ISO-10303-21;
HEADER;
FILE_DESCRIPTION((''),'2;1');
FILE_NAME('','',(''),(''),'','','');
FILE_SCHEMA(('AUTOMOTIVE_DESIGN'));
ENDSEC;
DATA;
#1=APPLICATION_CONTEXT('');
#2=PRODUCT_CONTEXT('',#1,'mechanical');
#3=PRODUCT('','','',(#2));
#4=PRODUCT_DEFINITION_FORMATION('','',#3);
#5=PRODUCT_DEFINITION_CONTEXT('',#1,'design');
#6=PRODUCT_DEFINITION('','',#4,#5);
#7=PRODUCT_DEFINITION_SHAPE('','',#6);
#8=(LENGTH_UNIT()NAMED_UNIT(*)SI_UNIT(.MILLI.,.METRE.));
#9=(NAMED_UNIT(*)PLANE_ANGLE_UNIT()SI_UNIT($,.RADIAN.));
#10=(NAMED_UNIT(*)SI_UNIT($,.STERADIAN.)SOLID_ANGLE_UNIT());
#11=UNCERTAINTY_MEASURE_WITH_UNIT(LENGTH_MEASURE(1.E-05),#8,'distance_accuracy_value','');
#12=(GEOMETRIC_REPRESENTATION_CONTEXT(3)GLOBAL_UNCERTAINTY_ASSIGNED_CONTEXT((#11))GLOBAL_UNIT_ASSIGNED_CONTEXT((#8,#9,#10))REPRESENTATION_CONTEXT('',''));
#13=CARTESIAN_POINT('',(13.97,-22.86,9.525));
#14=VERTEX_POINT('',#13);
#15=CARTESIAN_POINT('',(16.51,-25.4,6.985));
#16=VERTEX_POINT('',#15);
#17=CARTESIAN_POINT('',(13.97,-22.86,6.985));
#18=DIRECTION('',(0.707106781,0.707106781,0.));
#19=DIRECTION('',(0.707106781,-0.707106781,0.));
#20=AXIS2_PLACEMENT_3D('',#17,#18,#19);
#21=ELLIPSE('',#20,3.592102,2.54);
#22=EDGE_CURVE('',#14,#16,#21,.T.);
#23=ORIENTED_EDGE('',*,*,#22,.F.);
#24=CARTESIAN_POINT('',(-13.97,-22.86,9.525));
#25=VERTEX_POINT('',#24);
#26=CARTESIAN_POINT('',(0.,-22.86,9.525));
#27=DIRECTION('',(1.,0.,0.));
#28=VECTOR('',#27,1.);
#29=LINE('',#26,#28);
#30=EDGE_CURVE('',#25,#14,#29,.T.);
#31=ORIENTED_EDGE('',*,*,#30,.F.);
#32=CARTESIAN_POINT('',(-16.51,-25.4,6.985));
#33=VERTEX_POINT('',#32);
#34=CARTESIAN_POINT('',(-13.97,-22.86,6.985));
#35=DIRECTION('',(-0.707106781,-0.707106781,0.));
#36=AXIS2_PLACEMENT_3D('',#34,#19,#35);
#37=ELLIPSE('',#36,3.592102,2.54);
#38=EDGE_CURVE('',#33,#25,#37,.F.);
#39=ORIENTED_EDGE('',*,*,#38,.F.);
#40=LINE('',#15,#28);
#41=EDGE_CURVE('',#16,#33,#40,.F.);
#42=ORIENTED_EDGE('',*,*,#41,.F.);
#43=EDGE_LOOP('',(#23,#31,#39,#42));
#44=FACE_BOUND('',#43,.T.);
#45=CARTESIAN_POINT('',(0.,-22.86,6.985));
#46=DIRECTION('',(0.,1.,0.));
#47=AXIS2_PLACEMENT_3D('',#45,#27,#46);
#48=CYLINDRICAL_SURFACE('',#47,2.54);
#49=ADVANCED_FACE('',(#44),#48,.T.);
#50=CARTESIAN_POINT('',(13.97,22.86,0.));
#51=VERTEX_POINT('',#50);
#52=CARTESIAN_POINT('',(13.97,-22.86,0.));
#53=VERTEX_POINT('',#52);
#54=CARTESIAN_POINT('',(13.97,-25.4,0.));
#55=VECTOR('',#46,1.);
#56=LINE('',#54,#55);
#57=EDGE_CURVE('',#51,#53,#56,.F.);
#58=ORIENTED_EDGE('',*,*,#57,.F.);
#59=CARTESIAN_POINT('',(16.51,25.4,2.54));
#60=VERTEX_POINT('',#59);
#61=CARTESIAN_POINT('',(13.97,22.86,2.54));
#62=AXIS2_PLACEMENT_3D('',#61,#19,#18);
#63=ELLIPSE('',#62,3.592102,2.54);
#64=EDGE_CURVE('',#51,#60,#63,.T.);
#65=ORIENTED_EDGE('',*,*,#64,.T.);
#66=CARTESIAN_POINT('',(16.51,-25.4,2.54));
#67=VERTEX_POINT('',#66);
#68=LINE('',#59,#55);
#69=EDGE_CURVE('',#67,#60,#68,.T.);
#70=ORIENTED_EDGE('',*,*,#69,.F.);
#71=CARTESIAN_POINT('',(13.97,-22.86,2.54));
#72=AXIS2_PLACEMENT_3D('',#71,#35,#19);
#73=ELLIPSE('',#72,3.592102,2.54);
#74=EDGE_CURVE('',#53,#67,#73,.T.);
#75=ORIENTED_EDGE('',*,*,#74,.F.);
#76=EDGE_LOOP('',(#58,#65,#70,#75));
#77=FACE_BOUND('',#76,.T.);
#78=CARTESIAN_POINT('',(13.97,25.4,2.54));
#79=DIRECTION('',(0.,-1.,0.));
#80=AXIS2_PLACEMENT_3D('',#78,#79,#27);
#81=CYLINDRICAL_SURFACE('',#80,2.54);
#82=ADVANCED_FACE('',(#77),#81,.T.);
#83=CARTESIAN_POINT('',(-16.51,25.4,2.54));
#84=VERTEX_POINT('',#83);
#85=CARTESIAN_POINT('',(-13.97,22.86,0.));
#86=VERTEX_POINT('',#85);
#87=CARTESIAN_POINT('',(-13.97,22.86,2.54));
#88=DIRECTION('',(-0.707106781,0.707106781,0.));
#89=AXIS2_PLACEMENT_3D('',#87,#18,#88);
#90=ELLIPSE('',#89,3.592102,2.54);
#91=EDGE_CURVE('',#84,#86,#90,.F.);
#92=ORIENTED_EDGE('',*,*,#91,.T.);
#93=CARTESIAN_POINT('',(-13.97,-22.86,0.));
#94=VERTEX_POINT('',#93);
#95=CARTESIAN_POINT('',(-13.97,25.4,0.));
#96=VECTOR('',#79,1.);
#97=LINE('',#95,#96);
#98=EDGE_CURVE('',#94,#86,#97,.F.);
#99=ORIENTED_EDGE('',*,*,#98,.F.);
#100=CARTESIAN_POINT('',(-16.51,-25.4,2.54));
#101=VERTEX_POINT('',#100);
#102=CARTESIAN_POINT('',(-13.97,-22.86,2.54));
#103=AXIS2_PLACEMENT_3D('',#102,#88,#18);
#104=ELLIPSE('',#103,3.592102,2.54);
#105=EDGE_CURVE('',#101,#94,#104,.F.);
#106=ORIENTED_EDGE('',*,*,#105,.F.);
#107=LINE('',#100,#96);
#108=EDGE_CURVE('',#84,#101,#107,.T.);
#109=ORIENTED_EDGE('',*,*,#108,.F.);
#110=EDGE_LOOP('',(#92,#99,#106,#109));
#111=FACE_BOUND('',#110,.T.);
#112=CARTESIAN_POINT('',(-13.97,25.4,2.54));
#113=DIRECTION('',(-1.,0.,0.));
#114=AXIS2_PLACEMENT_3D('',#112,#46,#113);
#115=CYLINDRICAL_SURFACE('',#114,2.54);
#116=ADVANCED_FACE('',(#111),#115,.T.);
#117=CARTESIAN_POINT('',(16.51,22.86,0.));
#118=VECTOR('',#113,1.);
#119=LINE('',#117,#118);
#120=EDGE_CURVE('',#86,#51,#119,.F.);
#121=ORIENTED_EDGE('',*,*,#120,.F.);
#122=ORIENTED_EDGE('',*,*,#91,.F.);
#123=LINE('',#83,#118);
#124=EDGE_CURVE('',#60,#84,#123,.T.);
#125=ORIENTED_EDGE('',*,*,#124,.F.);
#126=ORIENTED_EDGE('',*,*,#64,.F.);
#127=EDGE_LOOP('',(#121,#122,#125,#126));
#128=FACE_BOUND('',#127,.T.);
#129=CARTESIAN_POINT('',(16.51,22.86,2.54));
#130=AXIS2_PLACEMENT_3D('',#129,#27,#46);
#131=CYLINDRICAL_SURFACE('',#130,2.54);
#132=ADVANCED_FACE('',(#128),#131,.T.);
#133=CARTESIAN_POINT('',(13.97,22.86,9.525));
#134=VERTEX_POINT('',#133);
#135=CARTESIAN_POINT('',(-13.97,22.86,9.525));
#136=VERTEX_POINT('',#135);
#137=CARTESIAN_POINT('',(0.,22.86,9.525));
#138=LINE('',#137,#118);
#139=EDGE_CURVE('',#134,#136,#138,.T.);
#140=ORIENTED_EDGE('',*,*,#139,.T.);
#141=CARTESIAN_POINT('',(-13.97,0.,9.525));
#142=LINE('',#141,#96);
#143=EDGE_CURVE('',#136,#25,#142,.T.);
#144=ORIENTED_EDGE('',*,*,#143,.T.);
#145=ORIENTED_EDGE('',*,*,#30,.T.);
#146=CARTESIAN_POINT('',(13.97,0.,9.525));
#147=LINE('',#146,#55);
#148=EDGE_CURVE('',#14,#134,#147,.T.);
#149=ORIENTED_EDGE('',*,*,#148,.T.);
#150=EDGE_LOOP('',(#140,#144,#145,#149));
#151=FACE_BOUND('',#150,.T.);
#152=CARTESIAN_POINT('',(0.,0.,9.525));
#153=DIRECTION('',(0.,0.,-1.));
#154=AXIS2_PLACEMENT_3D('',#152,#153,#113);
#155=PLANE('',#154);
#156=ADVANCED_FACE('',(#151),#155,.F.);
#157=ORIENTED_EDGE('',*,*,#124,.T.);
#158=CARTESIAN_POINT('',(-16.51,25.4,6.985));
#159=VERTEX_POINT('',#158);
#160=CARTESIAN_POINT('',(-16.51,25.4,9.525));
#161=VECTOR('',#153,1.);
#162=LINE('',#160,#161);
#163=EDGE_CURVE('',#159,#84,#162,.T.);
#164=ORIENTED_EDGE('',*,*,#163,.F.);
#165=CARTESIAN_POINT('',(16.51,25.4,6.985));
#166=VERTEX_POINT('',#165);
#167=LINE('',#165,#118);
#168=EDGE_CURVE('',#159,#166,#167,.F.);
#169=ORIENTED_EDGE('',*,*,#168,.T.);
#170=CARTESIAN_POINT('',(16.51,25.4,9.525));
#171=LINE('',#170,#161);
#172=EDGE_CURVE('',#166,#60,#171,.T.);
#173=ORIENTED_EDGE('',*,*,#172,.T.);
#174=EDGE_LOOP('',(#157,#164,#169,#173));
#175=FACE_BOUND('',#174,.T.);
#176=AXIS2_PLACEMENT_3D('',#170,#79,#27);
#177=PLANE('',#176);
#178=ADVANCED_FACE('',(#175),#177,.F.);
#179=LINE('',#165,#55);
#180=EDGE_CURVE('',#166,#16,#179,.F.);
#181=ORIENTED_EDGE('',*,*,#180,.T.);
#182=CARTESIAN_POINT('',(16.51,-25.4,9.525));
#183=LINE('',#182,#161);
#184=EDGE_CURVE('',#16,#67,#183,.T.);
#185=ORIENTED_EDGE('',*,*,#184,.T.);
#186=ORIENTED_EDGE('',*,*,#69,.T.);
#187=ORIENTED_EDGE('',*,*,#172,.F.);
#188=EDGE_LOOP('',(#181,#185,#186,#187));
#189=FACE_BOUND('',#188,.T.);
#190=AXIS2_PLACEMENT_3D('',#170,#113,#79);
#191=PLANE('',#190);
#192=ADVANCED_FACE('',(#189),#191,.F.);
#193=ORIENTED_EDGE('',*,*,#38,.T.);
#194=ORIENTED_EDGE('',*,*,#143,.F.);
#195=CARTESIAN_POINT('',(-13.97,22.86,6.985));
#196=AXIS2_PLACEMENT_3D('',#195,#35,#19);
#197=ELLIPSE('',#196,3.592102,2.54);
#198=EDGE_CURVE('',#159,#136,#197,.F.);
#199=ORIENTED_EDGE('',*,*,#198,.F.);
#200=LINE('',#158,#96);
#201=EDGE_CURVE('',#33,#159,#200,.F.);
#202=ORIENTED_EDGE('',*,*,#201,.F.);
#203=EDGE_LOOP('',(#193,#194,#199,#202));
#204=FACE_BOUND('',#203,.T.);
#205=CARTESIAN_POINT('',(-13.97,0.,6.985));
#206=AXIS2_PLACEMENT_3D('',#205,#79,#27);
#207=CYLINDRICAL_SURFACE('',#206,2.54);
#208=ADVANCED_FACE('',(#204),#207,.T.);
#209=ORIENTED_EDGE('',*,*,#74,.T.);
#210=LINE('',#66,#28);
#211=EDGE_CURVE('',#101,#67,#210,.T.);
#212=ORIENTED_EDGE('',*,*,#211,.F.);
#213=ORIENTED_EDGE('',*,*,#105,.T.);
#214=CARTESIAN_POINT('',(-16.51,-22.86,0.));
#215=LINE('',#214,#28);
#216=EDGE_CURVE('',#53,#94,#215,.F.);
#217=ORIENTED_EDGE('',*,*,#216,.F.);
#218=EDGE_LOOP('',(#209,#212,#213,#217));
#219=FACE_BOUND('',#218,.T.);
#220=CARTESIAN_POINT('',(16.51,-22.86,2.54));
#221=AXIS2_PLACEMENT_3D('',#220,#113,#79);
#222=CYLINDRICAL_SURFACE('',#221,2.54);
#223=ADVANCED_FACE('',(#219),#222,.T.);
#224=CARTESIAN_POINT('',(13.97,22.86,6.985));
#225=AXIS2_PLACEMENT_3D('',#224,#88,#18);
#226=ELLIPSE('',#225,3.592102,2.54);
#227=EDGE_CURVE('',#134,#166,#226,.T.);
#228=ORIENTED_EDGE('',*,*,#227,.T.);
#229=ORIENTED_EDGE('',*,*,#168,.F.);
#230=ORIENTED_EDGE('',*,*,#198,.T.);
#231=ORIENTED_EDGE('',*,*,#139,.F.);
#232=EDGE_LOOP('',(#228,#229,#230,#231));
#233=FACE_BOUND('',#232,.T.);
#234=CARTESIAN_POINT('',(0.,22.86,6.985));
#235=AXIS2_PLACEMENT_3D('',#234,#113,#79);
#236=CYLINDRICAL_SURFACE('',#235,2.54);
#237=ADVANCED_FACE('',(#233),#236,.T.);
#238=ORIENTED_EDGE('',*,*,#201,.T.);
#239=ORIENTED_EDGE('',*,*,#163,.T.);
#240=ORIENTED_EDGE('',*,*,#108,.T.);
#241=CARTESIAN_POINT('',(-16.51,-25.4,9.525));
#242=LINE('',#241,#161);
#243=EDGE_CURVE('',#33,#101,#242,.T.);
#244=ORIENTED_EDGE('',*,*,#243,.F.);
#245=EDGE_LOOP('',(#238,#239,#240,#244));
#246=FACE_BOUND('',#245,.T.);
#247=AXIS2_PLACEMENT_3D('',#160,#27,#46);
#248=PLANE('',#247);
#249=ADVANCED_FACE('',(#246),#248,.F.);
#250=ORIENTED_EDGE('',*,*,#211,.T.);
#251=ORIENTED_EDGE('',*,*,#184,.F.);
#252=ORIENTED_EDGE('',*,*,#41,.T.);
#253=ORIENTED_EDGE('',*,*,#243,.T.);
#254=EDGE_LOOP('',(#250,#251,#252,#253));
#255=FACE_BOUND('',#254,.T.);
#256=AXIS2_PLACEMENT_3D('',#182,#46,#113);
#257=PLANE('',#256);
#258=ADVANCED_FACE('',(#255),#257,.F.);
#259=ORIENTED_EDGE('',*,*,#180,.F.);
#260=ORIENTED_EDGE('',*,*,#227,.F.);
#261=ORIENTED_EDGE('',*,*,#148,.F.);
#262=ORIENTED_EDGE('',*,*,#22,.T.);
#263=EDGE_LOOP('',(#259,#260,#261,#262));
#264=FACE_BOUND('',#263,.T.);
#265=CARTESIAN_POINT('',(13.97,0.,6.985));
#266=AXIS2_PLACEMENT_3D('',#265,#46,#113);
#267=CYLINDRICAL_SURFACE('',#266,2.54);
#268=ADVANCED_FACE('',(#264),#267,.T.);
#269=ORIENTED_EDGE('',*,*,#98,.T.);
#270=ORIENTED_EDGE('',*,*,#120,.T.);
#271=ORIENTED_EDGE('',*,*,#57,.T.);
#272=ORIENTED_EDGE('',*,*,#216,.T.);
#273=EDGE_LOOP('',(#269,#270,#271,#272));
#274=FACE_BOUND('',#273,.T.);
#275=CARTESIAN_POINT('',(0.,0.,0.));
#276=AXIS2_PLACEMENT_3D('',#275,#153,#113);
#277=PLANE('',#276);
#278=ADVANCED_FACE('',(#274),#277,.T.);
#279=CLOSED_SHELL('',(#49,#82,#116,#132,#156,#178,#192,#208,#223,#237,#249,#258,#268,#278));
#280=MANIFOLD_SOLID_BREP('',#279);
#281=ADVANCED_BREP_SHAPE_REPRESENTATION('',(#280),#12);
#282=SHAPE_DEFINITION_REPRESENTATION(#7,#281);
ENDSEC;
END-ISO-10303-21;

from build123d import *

# Parameters (mm, degrees)
SKETCH1_W           = 33.02
SKETCH1_H           = 50.8
BOSS_EXTRUDE1_DEPTH = 9.525
FILLET1_R           = 2.54


with BuildPart() as part:
    # Sketch1 → Boss-Extrude1 (new body)
    with BuildSketch(Plane.XY):
        Rectangle(SKETCH1_W, SKETCH1_H)
    extrude(amount=BOSS_EXTRUDE1_DEPTH)

    # Fillet1
    fillet1_edges = [part.edges().sort_by_distance(p)[0] for p in [
        (16.51, 0, 9.525),
        (0, 25.4, 9.525),
        (-16.51, 0, 9.525),
        (0, 25.4, 0),
        (16.51, 0, 0),
        (0, -25.4, 0),
        (-16.51, 0, 0),
        (0, -25.4, 9.525),
    ]]
    fillet(fillet1_edges, radius=FILLET1_R)


solid = part.part
